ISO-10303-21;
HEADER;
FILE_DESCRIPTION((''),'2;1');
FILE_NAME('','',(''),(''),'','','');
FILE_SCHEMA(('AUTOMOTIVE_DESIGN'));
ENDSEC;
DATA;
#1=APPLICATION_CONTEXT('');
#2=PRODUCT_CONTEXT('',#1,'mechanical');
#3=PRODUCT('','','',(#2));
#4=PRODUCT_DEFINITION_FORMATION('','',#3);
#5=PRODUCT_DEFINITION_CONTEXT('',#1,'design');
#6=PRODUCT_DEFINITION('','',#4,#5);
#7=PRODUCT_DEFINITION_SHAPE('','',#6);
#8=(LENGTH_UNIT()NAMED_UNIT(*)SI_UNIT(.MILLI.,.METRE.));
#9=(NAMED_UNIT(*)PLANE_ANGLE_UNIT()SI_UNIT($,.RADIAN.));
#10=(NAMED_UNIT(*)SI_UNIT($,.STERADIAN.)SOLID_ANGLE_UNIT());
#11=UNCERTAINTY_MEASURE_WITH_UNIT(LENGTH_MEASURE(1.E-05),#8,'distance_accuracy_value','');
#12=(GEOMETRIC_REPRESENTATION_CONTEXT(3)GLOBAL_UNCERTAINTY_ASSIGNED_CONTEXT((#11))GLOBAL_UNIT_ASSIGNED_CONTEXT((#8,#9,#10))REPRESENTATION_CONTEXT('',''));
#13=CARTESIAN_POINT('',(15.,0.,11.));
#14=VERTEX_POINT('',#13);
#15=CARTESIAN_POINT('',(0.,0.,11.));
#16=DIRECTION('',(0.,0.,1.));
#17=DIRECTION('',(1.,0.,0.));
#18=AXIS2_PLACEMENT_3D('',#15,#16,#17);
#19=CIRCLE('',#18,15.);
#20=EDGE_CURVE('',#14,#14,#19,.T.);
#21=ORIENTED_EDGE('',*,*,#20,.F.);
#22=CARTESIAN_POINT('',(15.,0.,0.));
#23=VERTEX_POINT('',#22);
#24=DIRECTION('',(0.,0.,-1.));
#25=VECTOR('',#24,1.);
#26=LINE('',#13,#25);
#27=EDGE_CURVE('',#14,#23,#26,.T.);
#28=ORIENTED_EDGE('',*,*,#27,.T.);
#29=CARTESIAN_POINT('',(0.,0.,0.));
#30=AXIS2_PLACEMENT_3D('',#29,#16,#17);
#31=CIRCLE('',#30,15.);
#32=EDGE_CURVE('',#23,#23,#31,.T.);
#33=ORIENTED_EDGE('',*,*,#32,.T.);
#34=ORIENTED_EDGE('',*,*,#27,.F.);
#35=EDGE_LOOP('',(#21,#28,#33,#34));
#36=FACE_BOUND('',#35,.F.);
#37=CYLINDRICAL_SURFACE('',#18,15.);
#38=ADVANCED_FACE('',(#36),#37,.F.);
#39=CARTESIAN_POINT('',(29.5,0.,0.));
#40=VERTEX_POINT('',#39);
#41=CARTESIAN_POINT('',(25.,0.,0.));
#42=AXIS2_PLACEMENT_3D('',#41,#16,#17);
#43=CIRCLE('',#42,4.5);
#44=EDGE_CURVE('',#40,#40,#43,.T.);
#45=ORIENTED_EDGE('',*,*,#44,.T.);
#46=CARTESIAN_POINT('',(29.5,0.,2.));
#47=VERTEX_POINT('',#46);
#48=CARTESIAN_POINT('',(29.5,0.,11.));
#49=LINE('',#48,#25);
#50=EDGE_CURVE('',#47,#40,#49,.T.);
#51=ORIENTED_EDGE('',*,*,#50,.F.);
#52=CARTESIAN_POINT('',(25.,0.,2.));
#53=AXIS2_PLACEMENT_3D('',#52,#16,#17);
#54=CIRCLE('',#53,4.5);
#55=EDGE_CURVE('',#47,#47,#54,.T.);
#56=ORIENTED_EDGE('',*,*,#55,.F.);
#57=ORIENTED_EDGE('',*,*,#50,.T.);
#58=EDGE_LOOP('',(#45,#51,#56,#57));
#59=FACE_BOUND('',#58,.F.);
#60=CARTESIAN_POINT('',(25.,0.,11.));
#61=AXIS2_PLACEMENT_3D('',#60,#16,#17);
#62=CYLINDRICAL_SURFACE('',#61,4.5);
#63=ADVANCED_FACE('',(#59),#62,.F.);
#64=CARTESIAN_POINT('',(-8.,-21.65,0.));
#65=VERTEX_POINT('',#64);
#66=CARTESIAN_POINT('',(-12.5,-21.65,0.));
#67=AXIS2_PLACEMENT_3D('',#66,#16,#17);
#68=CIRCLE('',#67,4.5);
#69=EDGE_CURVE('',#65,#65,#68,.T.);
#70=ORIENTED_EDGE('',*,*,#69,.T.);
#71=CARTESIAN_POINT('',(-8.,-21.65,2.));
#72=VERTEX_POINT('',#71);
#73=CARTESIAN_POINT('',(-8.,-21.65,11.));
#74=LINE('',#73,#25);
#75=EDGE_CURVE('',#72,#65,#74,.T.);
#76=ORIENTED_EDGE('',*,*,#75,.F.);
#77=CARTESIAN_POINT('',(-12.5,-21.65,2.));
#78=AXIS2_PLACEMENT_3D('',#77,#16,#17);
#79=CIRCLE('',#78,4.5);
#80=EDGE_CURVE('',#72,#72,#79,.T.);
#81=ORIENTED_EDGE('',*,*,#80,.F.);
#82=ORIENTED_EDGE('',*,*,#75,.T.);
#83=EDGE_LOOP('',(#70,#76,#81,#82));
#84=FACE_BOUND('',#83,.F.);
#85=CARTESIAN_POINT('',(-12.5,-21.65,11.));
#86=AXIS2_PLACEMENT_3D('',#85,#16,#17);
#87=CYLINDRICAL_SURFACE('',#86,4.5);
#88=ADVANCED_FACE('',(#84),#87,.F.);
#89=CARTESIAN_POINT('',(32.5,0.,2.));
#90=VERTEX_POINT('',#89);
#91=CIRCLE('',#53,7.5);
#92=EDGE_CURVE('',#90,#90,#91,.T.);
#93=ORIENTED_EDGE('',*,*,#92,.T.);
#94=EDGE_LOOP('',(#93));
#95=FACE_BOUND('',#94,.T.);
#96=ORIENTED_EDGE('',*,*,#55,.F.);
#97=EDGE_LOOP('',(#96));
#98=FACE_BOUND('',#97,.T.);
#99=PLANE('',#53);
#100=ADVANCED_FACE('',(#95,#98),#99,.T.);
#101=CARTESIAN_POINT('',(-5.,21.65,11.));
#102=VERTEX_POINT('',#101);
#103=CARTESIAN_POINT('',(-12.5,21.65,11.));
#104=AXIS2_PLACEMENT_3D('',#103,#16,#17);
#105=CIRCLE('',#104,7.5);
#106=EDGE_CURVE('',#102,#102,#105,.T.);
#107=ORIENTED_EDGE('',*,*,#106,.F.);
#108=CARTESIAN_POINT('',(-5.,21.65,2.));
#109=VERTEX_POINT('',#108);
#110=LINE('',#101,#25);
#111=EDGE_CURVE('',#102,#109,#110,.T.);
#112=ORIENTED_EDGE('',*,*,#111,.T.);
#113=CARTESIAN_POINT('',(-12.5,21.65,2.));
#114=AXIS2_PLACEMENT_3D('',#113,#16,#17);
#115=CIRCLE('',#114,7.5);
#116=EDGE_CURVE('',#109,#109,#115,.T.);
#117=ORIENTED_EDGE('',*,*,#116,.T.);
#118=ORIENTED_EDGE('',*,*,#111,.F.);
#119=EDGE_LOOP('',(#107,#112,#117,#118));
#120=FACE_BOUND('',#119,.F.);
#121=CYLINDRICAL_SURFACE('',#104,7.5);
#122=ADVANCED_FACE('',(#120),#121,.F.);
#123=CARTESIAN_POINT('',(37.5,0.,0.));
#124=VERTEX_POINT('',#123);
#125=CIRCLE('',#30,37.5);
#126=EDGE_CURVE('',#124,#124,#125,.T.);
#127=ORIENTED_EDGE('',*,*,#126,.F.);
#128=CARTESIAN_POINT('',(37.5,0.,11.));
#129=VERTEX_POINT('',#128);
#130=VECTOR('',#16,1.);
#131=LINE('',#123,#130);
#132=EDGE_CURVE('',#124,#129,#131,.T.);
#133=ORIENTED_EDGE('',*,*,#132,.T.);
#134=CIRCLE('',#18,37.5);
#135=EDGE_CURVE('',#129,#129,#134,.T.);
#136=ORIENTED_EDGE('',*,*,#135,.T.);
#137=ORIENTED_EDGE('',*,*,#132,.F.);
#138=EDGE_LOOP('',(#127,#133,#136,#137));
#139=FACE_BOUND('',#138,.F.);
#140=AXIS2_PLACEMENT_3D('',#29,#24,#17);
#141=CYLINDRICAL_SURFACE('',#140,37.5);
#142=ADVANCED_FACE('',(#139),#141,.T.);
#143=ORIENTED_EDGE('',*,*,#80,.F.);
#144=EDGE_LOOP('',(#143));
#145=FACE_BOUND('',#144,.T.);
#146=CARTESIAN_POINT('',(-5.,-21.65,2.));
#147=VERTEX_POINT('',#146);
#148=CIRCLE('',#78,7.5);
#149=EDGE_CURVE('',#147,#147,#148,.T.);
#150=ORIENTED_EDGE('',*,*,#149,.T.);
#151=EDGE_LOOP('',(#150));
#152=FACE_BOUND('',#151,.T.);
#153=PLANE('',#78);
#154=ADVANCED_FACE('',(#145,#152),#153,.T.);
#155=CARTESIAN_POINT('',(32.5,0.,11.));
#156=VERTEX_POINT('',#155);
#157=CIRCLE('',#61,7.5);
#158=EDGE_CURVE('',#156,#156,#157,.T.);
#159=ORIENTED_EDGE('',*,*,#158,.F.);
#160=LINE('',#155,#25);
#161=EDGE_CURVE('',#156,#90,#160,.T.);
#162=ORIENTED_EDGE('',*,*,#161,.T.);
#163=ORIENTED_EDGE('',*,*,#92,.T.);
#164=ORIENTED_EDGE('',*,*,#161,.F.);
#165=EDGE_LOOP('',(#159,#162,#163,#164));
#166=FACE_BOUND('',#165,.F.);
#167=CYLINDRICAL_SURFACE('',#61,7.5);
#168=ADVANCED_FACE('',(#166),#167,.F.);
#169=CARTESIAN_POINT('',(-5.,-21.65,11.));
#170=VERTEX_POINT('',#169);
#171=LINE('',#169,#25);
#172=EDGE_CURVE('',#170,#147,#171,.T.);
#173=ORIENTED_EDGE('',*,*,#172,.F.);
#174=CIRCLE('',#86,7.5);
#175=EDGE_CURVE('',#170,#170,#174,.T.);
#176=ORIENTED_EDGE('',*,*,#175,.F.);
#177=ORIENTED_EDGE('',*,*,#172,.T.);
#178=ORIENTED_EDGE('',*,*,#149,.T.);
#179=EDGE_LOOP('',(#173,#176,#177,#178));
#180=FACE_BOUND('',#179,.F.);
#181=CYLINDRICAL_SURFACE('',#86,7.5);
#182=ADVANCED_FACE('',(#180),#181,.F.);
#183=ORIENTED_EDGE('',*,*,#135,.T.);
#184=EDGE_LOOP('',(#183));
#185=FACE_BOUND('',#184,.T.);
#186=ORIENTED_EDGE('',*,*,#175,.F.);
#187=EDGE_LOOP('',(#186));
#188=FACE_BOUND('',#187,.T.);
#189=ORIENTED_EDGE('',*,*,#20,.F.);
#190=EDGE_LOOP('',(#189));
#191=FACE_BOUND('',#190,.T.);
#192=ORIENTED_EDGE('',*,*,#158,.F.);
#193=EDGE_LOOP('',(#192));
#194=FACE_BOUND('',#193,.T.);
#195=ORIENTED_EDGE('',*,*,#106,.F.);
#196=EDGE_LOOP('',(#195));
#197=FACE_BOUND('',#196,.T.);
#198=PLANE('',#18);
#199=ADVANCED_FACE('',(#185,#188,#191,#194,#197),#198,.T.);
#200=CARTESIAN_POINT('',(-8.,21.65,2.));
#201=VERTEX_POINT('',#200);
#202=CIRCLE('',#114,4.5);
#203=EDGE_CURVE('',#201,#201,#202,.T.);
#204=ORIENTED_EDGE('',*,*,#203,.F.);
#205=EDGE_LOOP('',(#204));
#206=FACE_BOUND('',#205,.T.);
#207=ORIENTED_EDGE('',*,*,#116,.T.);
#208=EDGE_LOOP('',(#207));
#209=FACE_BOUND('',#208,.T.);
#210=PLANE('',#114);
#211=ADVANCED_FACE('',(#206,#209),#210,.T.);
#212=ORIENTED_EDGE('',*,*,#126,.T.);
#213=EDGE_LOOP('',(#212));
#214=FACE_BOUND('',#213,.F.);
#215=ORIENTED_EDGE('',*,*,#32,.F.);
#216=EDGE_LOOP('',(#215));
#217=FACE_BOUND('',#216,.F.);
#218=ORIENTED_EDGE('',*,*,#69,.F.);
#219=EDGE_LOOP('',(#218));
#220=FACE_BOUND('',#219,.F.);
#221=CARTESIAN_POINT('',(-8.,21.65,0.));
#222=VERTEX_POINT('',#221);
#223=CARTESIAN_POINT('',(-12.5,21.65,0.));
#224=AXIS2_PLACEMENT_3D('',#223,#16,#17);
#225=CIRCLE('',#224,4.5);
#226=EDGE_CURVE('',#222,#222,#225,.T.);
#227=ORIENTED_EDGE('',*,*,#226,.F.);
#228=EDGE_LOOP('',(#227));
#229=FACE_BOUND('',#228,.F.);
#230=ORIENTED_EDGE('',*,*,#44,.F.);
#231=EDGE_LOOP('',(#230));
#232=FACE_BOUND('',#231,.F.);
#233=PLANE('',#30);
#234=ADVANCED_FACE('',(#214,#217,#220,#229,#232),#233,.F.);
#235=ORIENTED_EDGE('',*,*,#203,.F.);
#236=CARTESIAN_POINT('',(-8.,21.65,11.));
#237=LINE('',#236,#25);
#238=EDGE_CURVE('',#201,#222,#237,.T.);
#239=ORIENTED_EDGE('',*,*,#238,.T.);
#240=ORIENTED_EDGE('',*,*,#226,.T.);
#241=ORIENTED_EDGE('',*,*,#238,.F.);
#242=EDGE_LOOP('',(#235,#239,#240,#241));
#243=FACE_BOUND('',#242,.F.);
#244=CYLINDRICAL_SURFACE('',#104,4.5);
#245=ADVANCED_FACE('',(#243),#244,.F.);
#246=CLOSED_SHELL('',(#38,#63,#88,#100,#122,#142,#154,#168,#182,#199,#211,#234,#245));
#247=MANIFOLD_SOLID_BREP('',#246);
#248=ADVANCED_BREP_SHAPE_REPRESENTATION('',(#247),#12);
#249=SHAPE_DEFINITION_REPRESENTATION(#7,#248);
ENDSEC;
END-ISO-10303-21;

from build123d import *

# Parameters (mm, degrees)
SKETCH_1_R     = 37.5
PAD_1_DEPTH    = 11
SKETCH_2_R     = 15
POCKET_2_DEPTH = 11.001
SKETCH_3_R     = 4.5
POCKET_3_DEPTH = 11.001
SKETCH_4_R     = 4.5
POCKET_4_DEPTH = 11.001
SKETCH_5_R     = 4.5
POCKET_5_DEPTH = 11.001
SKETCH_6_R     = 7.5
POCKET_6_DEPTH = 9
SKETCH_7_R     = 7.5
POCKET_7_DEPTH = 9
SKETCH_8_R     = 7.5
POCKET_8_DEPTH = 9


with BuildPart() as part:
    # Sketch_1 → Pad_1 (new body)
    with BuildSketch(Plane.XY):
        Circle(SKETCH_1_R)
    extrude(amount=PAD_1_DEPTH)

    # Sketch_2 (on Face3 of Pad_1) → Pocket_2 (cut, through all)
    with BuildSketch(Plane.XY.offset(11)):
        Circle(SKETCH_2_R)
    extrude(amount=-POCKET_2_DEPTH, mode=Mode.SUBTRACT)

    # Sketch_3 (on Face3 of Pocket_2) → Pocket_3 (cut, through all)
    with BuildSketch(Plane.XY.offset(11)):
        with Locations((25, 0)):
            Circle(SKETCH_3_R)
    extrude(amount=-POCKET_3_DEPTH, mode=Mode.SUBTRACT)

    # Sketch_4 (on Face3 of Pocket_3) → Pocket_4 (cut, through all)
    with BuildSketch(Plane.XY.offset(11)):
        with Locations((-12.5, 21.65)):
            Circle(SKETCH_4_R)
    extrude(amount=-POCKET_4_DEPTH, mode=Mode.SUBTRACT)

    # Sketch_5 (on Face3 of Pocket_4) → Pocket_5 (cut, through all)
    with BuildSketch(Plane.XY.offset(11)):
        with Locations((-12.5, -21.65)):
            Circle(SKETCH_5_R)
    extrude(amount=-POCKET_5_DEPTH, mode=Mode.SUBTRACT)

    # Sketch_6 (on Face3 of Pocket_5) → Pocket_6 (cut)
    with BuildSketch(Plane.XY.offset(11)):
        with Locations((25, 0)):
            Circle(SKETCH_6_R)
    extrude(amount=-POCKET_6_DEPTH, mode=Mode.SUBTRACT)

    # Sketch_7 (on Face3 of Pocket_6) → Pocket_7 (cut)
    with BuildSketch(Plane.XY.offset(11)):
        with Locations((-12.5, 21.65)):
            Circle(SKETCH_7_R)
    extrude(amount=-POCKET_7_DEPTH, mode=Mode.SUBTRACT)

    # Sketch_8 (on Face3 of Pocket_7) → Pocket_8 (cut)
    with BuildSketch(Plane.XY.offset(11)):
        with Locations((-12.5, -21.65)):
            Circle(SKETCH_8_R)
    extrude(amount=-POCKET_8_DEPTH, mode=Mode.SUBTRACT)


solid = part.part
